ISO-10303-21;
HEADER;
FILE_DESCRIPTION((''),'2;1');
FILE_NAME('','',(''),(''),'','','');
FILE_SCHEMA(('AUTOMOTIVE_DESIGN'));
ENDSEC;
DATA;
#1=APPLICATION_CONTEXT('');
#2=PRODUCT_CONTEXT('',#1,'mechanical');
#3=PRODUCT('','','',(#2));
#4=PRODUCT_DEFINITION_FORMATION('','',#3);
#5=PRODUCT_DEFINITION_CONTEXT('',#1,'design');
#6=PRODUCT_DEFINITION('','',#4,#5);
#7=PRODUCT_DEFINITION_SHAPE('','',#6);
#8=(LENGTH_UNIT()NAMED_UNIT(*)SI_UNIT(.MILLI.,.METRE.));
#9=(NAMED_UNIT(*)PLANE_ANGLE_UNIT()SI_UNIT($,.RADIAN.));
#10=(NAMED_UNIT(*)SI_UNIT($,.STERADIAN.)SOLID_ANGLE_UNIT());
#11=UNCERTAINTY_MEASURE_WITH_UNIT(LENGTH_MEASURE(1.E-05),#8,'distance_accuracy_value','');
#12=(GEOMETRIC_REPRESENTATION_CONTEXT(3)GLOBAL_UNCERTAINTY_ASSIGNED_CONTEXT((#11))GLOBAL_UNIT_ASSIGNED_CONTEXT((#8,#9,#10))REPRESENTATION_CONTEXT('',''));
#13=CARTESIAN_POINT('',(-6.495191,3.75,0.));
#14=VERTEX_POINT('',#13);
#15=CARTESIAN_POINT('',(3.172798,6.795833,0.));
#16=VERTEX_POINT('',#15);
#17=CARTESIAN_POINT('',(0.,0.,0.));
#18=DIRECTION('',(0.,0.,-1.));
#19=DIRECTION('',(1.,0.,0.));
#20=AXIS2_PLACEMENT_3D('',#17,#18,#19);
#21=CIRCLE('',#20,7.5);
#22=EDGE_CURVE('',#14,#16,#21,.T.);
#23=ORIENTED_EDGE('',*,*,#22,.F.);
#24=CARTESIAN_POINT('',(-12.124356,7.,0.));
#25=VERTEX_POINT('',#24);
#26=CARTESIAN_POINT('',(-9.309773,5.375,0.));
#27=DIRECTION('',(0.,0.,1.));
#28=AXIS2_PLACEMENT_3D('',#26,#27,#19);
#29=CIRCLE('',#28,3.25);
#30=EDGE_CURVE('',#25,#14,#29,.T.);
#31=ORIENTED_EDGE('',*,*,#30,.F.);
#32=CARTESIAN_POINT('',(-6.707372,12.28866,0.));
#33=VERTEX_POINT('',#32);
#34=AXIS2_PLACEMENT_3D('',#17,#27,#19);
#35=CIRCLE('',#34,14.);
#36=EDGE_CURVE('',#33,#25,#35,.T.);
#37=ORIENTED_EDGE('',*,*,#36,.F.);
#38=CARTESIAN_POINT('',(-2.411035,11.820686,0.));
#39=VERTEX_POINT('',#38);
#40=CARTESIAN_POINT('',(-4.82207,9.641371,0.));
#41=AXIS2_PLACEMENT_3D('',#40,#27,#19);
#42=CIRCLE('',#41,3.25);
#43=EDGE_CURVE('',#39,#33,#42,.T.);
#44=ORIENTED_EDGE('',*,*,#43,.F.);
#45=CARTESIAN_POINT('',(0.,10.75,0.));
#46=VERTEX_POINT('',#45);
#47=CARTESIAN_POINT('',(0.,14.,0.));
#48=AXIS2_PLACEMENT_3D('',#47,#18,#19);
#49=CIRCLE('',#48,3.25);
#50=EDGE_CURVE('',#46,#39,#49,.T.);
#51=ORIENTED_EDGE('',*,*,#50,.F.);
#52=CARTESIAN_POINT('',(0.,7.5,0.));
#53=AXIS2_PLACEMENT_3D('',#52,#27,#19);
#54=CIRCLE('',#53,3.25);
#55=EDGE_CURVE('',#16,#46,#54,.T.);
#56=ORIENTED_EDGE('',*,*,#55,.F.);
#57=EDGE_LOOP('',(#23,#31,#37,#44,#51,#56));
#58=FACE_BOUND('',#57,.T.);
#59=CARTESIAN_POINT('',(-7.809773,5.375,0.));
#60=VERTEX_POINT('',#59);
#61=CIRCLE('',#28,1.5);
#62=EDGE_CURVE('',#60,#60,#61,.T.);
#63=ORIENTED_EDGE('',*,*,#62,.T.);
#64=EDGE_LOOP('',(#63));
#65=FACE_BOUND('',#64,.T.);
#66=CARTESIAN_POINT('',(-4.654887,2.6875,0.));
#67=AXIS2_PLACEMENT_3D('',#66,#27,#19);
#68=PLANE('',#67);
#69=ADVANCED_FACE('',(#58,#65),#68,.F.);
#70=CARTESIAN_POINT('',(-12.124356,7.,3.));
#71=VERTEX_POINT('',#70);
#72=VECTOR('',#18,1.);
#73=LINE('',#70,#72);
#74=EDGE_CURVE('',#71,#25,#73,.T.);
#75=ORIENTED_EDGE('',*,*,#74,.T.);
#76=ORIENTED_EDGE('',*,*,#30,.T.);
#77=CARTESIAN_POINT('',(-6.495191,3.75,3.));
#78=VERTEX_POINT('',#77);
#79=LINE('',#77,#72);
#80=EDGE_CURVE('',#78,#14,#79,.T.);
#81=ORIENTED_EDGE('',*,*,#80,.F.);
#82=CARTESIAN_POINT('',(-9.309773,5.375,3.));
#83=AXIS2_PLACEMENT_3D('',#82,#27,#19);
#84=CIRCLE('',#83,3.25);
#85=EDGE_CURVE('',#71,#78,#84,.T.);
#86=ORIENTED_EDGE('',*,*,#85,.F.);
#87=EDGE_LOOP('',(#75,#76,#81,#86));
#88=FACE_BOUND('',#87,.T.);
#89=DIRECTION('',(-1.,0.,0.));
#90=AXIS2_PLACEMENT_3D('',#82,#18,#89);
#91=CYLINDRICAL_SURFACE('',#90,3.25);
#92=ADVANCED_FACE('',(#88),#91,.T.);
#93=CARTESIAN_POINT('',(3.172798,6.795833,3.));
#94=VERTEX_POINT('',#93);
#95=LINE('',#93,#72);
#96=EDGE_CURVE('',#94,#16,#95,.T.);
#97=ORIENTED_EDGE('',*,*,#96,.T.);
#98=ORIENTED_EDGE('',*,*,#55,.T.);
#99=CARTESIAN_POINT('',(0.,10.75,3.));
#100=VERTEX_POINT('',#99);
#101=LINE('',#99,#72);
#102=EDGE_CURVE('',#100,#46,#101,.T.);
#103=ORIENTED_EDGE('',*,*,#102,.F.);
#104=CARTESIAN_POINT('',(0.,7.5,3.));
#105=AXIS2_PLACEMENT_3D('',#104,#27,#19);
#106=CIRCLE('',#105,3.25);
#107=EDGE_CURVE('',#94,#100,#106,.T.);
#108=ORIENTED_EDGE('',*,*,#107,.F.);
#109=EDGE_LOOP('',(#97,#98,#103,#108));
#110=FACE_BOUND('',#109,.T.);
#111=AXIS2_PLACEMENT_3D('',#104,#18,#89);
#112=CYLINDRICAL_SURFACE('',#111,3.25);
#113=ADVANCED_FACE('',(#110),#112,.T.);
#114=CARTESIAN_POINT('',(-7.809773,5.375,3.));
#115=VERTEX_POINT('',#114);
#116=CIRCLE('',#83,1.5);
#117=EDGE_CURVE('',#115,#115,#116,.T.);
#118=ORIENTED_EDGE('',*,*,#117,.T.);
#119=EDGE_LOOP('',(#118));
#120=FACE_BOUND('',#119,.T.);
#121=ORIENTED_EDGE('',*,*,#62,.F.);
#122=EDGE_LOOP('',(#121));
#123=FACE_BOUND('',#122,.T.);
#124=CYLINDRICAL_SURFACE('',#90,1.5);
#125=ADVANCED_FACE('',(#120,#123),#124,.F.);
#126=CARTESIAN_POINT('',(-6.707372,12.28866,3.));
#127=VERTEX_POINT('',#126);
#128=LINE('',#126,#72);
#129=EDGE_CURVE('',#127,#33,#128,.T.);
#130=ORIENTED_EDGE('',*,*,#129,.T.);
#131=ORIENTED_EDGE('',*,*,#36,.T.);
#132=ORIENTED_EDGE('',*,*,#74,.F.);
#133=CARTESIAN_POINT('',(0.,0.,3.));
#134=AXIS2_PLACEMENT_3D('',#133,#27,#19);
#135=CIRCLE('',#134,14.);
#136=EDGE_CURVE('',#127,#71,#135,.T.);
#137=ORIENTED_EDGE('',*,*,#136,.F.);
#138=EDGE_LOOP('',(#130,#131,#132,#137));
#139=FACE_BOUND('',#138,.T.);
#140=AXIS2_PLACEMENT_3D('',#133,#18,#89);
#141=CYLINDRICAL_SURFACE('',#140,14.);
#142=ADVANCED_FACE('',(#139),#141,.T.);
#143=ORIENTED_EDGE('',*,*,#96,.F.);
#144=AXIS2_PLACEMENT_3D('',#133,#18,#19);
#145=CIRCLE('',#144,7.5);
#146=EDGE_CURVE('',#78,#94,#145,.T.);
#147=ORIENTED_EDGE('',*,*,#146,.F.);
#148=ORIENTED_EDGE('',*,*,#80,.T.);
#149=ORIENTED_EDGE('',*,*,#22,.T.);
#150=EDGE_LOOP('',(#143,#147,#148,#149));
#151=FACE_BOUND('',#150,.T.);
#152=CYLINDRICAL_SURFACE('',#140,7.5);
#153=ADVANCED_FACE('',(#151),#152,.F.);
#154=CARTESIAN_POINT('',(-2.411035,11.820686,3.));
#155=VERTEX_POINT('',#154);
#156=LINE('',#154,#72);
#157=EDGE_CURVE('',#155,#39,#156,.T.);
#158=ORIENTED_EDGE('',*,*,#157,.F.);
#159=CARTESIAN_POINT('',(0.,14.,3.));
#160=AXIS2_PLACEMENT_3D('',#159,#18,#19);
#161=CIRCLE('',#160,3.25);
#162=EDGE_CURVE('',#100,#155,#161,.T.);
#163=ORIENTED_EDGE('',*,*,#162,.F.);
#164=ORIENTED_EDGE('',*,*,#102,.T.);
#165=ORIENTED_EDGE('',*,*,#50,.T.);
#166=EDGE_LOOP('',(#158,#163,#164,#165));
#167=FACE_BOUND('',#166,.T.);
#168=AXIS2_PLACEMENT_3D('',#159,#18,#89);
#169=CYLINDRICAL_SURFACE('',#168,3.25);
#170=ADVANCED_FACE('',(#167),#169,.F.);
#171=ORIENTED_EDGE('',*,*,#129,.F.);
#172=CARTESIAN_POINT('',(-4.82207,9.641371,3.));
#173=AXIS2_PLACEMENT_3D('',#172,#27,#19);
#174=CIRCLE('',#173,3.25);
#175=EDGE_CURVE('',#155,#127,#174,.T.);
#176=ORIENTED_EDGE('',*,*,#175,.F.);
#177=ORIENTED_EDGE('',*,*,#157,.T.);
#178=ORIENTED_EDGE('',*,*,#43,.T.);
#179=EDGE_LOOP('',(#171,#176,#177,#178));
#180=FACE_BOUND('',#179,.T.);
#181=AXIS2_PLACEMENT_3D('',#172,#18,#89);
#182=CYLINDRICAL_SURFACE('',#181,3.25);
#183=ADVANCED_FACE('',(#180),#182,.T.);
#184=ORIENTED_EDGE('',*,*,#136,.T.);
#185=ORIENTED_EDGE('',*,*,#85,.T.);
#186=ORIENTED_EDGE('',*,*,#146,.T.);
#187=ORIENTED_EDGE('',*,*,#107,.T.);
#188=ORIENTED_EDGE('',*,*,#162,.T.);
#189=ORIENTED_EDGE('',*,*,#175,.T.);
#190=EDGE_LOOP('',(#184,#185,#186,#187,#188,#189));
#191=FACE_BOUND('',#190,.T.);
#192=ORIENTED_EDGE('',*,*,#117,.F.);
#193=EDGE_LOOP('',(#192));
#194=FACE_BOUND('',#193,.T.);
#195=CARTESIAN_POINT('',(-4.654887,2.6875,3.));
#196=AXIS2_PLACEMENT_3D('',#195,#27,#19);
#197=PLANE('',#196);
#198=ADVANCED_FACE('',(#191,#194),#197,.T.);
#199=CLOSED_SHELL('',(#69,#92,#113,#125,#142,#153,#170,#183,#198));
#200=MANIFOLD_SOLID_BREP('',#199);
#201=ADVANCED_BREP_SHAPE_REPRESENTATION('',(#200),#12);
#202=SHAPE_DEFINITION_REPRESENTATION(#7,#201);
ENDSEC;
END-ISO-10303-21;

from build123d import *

# Parameters (mm, degrees)
ESQUISSE1_R        = 1.5
BOSS_EXTRU_2_DEPTH = 3


with BuildPart() as part:
    # Esquisse1 → Boss.-Extru.2 (new body)
    with BuildSketch(Plane.XY):
        with BuildLine():
            ThreePointArc((-2.411034891, 11.820685714), (-1.319039152, 11.029707807), (0, 10.75))
            ThreePointArc((0, 10.75), (2.534861107, 9.53395653), (3.17279834, 6.795833333))
            ThreePointArc((3.17279834, 6.795833333), (-2.25362988, 7.153401454), (-6.495190528, 3.75))
            ThreePointArc((-6.495190528, 3.75), (-10.934773091, 2.560417438), (-12.124355653, 7))
            ThreePointArc((-12.124355653, 7), (-9.780131311, 10.017436376), (-6.707371512, 12.288660114))
            ThreePointArc((-6.707371512, 12.288660114), (-4.47014813, 12.872261577), (-2.411034891, 11.820685714))
        make_face()
        with Locations((-9.309773091, 5.375)):
            Circle(ESQUISSE1_R, mode=Mode.SUBTRACT)
    extrude(amount=BOSS_EXTRU_2_DEPTH)


solid = part.part
